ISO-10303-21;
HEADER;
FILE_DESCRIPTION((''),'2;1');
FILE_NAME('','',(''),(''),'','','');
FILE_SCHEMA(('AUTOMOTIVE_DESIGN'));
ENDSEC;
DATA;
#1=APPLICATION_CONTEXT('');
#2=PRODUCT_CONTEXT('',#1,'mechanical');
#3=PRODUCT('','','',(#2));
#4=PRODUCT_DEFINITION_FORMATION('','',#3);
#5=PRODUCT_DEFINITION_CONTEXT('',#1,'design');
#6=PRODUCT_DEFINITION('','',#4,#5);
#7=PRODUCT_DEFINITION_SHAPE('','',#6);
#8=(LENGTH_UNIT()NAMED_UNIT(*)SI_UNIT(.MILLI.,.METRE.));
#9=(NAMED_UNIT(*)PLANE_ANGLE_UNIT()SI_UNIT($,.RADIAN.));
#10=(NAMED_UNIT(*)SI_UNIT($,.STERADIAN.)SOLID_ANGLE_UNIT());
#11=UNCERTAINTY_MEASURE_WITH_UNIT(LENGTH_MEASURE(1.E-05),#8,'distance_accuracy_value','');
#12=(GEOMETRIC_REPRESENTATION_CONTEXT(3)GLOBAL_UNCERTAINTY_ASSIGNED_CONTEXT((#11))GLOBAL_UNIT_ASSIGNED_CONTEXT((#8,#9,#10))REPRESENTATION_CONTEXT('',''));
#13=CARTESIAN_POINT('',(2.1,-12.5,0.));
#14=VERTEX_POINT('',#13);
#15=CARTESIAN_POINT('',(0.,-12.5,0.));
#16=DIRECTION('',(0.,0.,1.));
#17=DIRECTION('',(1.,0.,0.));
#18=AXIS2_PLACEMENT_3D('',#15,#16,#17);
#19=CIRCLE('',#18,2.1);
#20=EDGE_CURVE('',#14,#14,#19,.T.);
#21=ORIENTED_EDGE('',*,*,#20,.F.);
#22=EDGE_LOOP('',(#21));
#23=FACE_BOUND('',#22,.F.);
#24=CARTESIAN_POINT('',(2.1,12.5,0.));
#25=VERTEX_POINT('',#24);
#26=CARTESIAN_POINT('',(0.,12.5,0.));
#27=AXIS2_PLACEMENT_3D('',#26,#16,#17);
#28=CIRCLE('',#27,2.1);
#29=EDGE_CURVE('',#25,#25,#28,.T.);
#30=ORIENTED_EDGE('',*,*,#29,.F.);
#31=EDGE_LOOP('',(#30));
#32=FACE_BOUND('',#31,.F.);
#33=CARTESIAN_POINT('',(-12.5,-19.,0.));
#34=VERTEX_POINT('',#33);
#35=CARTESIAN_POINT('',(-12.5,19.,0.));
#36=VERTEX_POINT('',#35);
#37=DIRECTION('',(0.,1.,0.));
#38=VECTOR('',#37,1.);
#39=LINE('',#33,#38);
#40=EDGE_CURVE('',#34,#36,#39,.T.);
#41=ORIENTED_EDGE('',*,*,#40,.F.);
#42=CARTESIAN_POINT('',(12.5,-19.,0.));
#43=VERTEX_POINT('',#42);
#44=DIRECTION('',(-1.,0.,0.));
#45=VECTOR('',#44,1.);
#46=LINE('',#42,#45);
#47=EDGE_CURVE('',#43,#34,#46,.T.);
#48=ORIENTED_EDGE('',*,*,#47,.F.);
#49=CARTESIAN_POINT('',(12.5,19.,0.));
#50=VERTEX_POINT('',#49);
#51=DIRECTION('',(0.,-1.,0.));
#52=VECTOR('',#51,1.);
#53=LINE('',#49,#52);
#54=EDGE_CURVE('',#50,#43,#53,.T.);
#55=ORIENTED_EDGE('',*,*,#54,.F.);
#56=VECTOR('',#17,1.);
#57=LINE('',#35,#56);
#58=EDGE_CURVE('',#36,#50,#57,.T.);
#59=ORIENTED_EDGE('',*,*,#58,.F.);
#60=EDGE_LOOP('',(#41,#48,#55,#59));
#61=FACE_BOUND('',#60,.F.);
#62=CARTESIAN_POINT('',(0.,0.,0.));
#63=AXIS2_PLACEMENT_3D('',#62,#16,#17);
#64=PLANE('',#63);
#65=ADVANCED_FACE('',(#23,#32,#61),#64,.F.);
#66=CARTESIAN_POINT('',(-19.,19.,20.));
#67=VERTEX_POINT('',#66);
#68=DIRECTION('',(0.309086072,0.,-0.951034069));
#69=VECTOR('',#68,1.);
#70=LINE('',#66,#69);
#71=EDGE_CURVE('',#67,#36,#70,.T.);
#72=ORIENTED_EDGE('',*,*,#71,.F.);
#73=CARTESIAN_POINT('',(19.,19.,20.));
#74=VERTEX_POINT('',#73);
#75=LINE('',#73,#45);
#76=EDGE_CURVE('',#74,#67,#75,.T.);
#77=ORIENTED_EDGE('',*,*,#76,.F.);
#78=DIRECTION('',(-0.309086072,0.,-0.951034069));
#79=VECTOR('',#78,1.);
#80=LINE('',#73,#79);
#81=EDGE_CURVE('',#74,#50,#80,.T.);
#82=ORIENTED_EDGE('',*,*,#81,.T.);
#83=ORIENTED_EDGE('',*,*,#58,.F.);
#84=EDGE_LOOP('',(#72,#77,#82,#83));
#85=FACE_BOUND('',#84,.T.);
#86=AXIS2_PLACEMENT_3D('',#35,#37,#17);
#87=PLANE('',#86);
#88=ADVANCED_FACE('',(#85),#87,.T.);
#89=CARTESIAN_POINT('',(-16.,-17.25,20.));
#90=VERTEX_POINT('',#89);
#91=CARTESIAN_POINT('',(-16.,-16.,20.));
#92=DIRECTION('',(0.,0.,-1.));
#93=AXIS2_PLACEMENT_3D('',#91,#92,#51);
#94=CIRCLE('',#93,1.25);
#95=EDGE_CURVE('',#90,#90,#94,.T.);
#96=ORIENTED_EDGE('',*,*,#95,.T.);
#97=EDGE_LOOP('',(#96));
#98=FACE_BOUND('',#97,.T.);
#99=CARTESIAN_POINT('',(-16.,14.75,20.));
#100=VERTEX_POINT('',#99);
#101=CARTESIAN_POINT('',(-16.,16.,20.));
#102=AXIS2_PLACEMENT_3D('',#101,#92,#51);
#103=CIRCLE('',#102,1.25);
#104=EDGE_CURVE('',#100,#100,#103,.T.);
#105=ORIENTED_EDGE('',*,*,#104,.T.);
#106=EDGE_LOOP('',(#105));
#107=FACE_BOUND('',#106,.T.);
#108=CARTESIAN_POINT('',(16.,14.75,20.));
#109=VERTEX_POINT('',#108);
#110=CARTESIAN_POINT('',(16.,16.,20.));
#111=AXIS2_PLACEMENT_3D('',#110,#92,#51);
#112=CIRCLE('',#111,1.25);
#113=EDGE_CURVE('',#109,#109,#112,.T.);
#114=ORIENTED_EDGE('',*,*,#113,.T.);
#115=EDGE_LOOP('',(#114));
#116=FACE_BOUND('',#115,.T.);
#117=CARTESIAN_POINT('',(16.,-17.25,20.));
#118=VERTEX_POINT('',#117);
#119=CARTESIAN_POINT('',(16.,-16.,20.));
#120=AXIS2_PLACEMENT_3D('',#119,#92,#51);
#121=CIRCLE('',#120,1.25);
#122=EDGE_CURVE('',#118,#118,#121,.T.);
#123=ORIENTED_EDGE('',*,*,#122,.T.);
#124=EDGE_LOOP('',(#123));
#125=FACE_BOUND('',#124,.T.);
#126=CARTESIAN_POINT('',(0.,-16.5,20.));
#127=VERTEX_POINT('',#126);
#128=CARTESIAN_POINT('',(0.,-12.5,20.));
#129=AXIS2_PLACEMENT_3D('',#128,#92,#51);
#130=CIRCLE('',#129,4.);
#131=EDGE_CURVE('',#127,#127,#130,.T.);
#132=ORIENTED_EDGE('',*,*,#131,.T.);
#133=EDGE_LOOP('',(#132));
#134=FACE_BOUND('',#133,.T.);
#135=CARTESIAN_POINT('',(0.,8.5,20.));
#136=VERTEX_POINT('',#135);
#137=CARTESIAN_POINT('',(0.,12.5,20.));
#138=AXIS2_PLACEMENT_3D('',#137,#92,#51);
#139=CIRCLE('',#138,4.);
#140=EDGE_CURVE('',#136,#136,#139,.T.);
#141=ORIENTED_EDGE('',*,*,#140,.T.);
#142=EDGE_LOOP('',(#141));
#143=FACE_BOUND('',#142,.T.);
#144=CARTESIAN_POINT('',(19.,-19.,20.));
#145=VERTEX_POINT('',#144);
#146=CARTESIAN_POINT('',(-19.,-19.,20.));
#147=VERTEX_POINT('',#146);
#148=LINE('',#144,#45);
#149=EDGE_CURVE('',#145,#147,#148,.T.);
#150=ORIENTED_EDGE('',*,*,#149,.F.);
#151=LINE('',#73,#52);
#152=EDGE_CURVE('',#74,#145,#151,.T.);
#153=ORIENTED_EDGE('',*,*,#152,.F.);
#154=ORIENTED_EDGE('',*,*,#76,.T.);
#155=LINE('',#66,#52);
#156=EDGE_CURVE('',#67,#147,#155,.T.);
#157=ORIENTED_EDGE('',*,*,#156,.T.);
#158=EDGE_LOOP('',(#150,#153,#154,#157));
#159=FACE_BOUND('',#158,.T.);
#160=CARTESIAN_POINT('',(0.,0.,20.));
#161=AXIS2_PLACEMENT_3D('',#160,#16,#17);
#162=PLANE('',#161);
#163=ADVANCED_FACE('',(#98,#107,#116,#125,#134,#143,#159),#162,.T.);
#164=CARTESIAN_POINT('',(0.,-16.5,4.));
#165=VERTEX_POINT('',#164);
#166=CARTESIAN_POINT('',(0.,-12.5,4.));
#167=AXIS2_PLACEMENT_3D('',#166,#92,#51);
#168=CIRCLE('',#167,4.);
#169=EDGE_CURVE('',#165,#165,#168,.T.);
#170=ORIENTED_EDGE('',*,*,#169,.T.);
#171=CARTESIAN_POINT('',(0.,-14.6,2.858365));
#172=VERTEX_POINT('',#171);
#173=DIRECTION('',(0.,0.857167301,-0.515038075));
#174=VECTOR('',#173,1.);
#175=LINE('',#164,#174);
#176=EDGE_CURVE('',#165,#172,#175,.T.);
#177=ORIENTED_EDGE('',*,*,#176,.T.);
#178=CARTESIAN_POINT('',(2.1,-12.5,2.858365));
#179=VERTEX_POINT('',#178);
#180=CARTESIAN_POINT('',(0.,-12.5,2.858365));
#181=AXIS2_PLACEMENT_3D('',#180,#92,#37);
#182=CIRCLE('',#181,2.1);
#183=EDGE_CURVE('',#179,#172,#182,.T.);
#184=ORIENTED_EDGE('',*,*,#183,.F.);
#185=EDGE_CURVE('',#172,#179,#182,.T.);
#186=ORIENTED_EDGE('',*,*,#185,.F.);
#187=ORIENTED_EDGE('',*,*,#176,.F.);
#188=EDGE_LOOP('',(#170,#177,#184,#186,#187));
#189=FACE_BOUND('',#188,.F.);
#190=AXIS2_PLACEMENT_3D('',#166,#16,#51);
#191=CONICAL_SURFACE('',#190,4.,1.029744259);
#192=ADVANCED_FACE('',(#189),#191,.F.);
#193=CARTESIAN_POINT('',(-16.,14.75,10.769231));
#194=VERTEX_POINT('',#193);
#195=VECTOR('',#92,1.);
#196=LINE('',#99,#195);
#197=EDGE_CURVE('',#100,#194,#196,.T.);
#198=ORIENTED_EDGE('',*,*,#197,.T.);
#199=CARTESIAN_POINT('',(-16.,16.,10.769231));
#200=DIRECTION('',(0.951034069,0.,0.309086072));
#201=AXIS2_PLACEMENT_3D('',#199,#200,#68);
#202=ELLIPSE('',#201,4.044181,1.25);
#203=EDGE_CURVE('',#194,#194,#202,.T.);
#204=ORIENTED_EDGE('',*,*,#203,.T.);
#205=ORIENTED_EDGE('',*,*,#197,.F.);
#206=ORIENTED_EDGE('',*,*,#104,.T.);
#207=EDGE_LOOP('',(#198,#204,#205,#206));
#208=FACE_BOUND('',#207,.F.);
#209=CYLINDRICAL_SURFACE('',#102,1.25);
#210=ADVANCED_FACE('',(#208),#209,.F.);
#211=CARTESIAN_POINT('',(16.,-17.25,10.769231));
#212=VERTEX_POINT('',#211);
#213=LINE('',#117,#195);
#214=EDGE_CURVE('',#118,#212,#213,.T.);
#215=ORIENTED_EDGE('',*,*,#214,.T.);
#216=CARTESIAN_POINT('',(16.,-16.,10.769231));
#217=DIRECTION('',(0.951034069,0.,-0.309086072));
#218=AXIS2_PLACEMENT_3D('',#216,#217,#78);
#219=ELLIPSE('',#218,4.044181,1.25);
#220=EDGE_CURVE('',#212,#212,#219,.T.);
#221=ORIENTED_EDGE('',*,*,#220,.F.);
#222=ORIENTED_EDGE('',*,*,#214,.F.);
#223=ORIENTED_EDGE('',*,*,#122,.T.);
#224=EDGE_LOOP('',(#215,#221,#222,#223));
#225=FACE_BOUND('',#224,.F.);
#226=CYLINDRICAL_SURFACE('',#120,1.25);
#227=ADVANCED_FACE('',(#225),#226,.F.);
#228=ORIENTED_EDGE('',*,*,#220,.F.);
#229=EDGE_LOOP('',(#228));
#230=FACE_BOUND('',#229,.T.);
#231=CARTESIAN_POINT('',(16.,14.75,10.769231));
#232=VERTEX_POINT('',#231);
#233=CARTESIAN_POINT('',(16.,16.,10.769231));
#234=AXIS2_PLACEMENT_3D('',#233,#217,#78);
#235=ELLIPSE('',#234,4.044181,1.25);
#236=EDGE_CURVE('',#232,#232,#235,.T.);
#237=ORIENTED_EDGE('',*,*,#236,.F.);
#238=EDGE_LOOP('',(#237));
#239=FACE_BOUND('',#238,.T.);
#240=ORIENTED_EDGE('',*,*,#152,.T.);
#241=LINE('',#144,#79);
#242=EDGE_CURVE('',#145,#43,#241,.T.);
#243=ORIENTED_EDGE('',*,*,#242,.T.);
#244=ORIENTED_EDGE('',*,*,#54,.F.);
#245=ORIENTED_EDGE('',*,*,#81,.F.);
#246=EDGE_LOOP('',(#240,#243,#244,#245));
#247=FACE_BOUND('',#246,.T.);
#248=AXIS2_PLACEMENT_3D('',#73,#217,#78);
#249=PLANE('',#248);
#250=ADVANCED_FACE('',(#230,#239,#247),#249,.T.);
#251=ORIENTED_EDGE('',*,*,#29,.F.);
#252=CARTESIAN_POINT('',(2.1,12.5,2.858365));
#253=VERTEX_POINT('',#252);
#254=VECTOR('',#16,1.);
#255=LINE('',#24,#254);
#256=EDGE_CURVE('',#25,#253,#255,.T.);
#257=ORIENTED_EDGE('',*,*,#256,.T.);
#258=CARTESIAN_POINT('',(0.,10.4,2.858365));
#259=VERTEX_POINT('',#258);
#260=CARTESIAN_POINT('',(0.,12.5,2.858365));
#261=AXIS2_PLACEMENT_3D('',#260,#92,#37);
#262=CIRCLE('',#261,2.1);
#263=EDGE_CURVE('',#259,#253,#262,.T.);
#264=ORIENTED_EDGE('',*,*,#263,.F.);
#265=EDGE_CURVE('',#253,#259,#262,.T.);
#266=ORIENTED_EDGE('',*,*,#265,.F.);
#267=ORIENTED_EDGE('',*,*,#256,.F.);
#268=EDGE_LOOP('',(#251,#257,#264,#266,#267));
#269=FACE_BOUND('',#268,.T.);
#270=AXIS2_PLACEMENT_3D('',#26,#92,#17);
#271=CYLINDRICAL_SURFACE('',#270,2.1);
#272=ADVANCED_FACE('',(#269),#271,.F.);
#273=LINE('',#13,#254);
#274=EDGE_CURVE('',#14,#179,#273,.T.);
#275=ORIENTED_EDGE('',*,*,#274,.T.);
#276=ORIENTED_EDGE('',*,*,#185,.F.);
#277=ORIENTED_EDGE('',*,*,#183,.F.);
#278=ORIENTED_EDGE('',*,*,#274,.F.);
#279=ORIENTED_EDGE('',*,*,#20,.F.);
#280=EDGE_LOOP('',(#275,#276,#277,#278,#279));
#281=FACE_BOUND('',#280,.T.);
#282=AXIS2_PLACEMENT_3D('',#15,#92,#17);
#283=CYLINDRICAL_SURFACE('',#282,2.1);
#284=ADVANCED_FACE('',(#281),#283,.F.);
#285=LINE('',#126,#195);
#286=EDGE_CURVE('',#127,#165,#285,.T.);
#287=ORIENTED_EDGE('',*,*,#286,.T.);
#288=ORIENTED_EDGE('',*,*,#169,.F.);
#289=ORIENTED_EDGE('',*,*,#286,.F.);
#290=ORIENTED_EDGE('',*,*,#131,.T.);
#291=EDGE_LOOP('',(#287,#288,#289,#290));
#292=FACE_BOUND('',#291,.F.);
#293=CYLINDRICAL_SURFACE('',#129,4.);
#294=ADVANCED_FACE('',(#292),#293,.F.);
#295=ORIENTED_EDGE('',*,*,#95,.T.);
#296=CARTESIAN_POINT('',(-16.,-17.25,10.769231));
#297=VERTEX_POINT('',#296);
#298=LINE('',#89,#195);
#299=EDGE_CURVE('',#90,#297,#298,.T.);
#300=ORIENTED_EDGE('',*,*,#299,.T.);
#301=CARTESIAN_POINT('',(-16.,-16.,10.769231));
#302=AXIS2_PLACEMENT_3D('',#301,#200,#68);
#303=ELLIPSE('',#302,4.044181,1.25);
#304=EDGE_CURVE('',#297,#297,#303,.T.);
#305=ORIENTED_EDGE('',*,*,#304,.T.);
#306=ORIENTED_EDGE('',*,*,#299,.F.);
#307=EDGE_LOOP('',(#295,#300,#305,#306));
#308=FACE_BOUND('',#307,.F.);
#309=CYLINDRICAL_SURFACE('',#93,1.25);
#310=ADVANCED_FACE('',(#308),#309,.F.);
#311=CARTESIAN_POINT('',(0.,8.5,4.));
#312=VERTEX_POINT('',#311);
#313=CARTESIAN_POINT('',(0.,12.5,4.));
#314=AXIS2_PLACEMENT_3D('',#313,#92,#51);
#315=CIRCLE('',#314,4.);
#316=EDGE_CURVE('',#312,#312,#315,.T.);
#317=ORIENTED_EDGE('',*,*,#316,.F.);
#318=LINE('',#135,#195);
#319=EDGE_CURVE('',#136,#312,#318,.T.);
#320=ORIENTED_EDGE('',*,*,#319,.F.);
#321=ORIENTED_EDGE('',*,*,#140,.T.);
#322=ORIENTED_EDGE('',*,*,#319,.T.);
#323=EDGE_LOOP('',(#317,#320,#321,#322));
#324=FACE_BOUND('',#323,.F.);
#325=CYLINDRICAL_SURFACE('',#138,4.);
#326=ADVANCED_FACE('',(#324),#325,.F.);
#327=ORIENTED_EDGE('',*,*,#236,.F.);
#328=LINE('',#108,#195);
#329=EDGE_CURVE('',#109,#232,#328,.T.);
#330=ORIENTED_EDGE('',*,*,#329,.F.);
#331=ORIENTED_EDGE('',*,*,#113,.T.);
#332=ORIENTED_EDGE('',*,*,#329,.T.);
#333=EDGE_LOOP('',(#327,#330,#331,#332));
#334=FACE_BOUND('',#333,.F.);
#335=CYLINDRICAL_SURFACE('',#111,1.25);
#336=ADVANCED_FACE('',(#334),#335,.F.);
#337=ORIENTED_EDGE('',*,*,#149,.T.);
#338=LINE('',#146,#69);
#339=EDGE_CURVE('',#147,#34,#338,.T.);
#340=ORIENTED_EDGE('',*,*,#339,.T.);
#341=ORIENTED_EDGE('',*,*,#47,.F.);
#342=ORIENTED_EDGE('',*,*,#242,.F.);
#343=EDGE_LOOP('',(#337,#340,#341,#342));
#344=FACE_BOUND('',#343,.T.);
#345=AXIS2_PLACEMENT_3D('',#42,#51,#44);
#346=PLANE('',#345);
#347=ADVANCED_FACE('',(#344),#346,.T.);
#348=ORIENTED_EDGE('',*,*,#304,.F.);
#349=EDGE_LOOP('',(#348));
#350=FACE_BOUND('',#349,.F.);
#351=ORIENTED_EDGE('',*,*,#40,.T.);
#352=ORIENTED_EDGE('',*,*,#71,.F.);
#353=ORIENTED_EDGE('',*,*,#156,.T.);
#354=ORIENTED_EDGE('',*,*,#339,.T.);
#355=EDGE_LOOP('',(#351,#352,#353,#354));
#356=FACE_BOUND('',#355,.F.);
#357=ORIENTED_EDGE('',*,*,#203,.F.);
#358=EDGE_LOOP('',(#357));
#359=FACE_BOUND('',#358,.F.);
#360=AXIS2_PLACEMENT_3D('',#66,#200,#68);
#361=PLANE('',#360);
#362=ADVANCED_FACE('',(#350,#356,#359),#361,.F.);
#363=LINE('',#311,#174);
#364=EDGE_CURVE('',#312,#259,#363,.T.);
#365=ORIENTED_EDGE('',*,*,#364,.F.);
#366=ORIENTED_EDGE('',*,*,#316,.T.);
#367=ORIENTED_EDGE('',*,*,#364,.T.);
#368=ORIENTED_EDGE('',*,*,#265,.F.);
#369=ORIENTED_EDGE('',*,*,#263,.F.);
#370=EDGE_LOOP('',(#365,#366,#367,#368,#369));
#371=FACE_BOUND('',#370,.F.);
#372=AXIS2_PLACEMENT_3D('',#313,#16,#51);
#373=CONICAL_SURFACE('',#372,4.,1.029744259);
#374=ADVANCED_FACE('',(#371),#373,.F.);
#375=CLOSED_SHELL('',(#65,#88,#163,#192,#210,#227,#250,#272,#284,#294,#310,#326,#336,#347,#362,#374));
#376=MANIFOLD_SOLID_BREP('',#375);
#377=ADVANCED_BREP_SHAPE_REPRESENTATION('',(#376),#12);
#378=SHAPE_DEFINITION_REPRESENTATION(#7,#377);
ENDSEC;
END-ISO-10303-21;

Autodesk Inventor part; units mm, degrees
ref_plane "YZ Plane" through (0, 0, 0) normal (1, 0, 0) x (0, 1, 0)
ref_plane "XZ Plane" through (0, 0, 0) normal (0, 1, 0) x (-1, 0, 0)
ref_plane "XY Plane" through (0, 0, 0) normal (0, 0, 1) x (1, 0, 0)
sketch "Sketch1" plane through (0, 0, 0) normal (0, 0, 1) x (1, 0, 0)
  line L0 (12.5, -19) -> (-12.5, -19)
  line L1 (-12.5, -19) -> (-12.5, 19)
  line L2 (-12.5, 19) -> (12.5, 19)
  line L3 (12.5, 19) -> (12.5, -19)
  line L4 (12.5, -19) -> (-12.5, 19) construction
  line L5 (-12.5, -19) -> (12.5, 19) construction
  circle A0 centre (0, 12.5) radius 2.1
  circle A1 centre (0, -12.5) radius 2.1
  point P0 (0, 0)
  dimension "d0" = 25
  dimension "d1" = 38
  dimension "d2" = 4.2
  dimension "d3" = 4.2
  dimension "d4" = 12.5
  dimension "d5" = 12.5
extrude "Extrusion1" add sketch "Sketch1" along normal blind 20
sketch "Sketch2" plane through (-12.5, 19, 0) normal (0, 1, 0) x (1, 0, 0)
  line L0 (0, 0) -> (0, -20) projected
  line L1 (0, -20) -> (-6.5, -20)
  line L2 (-6.5, -20) -> (0, 0)
  line L3 (0, -20) -> (25, -20) projected
  line L4 (0, 0) -> (0, -20)
  line L5 (25, -20) -> (31.5, -20)
  line L6 (25, 0) -> (25, -20) projected
  line L7 (31.5, -20) -> (25, 0)
  line L8 (25, 0) -> (25, -20)
  point P0 (12.5, 0)
  dimension "d8" = 6.5
  dimension "d9" = 6.5
extrude "Extrusion2" add sketch "Sketch2" against normal up to surface (38 mm away)
sketch "Sketch3" plane through (0, 0, 20) normal (0, 0, 1) x (1, 0, 0)
  line L0 (-5.4088, 0) -> (7.7062, 0)
  line L1 (0, 5.8117) -> (0, -6.6687)
  point P0 (0, 0)
  point P1 (-16, 16)
  point P2 (16, 16)
  point P3 (-16, -16)
  point P4 (16, -16)
  dimension "d12" = 16
  dimension "d13" = 16
  dimension "d16" = 32
  dimension "d19" = 32
hole "Hole1" at (-16, 16, 20) at (16, 16, 20) at (-16, -16, 20) at (16, -16, 20) direction (0, 0, -1) diameter 2.5 end through all
hole "Hole2" at (0, -12.5, 20) direction (0, 0, -1) diameter 8 depth 16 tip angle 118
hole "Hole3" at (0, 12.5, 20) direction (0, 0, -1) diameter 8 depth 16 tip angle 118
properties part number "RDtoRC2-height20mm"
